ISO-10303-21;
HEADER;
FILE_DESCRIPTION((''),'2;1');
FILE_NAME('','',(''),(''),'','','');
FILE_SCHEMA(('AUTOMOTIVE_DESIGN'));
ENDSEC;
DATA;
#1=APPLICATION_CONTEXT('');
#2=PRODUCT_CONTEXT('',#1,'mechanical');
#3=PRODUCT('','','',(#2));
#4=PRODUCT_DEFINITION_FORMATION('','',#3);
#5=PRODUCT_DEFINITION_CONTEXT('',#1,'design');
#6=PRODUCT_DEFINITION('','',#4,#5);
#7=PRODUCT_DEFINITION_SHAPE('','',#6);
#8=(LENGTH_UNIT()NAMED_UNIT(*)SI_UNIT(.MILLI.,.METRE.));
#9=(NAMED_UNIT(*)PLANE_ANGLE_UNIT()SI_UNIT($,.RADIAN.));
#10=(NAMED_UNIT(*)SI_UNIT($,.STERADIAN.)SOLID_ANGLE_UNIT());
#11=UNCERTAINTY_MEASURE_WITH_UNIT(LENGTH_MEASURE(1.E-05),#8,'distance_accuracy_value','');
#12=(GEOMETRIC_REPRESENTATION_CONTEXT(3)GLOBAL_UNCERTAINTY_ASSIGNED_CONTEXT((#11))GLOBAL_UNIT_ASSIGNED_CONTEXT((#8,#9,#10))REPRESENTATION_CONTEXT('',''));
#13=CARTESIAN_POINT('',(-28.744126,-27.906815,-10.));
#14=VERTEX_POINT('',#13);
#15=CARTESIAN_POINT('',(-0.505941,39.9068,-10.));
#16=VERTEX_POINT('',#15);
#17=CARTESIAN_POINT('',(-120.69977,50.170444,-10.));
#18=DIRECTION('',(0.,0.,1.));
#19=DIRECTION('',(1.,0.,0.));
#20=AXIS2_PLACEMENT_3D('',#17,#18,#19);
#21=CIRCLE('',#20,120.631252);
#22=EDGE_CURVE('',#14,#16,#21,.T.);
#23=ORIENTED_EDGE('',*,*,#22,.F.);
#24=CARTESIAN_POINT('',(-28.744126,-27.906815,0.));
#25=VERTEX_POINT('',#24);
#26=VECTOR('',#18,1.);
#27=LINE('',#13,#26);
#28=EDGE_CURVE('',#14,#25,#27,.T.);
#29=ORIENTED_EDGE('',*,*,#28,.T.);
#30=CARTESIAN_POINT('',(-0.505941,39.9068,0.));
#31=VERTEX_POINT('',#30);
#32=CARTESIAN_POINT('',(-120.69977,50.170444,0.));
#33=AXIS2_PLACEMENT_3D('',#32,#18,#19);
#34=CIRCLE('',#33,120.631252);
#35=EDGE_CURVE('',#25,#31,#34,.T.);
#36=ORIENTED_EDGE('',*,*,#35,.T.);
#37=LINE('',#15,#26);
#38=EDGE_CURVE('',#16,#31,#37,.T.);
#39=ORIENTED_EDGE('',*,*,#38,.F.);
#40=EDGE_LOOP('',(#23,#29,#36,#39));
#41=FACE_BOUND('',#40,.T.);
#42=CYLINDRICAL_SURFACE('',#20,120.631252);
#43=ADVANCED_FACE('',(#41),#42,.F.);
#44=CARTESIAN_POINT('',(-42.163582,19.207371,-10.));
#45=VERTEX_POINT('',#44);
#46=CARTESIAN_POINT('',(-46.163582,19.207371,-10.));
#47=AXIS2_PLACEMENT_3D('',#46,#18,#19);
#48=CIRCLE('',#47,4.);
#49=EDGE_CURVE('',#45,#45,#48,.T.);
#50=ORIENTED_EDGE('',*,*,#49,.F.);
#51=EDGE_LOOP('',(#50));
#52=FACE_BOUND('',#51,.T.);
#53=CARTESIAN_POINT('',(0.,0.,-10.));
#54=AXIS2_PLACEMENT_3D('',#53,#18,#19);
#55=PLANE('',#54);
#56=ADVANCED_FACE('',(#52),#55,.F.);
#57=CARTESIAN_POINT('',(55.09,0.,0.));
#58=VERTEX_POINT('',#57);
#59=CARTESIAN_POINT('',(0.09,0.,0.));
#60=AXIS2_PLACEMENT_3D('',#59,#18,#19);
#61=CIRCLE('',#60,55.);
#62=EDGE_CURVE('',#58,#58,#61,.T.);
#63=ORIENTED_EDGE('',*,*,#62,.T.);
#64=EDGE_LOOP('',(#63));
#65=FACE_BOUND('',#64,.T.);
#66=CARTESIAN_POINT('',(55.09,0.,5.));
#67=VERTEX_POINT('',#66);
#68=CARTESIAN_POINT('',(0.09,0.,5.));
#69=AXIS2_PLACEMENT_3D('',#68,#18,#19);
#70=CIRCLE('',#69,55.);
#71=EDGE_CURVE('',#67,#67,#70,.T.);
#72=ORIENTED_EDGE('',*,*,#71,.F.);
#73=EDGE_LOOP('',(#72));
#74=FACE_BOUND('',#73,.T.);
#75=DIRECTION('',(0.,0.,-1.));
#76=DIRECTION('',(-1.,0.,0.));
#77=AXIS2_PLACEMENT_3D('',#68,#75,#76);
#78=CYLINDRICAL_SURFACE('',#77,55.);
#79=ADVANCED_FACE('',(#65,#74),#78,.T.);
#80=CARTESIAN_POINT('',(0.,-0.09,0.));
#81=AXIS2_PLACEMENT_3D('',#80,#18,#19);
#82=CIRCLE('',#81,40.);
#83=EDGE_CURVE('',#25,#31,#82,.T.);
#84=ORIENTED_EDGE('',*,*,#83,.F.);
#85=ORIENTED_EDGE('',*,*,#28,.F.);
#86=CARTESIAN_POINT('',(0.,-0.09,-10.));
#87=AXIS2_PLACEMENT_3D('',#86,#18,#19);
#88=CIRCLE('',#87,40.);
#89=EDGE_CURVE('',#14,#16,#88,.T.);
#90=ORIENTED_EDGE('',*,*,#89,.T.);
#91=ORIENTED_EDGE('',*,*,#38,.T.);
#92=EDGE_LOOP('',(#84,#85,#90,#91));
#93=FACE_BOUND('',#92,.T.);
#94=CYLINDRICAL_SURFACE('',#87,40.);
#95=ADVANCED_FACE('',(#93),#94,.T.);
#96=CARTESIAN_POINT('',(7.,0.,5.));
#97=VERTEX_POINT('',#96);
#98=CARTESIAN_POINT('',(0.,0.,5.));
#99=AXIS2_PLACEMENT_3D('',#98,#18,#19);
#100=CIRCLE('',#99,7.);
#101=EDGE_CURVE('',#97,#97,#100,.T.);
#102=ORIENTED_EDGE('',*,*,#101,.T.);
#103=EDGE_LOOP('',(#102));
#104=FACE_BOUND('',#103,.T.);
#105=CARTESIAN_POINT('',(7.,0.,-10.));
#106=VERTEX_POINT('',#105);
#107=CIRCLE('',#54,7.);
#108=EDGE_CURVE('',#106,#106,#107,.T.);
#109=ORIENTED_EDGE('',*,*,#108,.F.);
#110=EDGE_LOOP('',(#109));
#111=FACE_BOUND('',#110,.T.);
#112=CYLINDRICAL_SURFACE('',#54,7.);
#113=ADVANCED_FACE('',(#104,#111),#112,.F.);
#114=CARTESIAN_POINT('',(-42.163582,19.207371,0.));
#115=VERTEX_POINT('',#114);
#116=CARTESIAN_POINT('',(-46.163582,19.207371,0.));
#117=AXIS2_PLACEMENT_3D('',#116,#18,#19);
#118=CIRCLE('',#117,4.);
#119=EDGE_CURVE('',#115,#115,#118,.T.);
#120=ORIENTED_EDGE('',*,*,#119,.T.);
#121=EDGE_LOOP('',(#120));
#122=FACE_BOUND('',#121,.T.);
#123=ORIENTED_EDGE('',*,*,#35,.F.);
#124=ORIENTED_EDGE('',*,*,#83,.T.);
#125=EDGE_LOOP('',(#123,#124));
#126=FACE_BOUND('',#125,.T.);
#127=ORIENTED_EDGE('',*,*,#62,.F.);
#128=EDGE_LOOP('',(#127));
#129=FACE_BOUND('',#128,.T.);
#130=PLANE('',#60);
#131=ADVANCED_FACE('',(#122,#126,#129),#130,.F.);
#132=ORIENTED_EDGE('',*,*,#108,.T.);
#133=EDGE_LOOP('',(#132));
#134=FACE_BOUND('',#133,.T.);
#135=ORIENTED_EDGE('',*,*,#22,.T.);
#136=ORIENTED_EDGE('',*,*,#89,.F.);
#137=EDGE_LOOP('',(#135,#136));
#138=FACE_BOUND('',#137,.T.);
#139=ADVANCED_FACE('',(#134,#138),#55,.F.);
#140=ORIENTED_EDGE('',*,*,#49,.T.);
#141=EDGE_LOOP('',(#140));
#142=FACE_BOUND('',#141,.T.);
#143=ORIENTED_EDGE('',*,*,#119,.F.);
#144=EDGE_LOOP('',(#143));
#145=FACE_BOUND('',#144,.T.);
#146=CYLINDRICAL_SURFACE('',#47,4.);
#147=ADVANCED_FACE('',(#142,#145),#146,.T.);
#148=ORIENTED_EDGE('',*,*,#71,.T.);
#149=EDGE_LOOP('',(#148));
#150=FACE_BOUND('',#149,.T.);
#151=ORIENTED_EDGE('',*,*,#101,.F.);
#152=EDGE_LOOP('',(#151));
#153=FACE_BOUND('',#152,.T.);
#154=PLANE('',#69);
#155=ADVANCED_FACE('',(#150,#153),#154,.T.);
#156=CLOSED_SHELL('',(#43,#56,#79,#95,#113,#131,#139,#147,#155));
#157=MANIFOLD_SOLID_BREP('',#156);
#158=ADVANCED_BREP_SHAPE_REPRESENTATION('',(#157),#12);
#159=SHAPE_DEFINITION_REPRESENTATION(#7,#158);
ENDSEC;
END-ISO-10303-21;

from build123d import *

# Parameters (mm, degrees)
SKETCH1_R             = 4
BOSS_EXTRUDE1_DEPTH   = 10
BOSS_EXTRUDE1_2_DEPTH = 10
SKETCH1_3_R           = 55
BOSS_EXTRUDE2_DEPTH   = 5
SKETCH2_R             = 7
CUT_EXTRUDE1_DEPTH    = 80.277412294


with BuildPart() as part:
    # Sketch1 → Boss-Extrude1 (new body)
    with BuildSketch(Plane.XY):
        with Locations((-46.163581641, 19.207370937)):
            Circle(SKETCH1_R)
    extrude(amount=-BOSS_EXTRUDE1_DEPTH)



with BuildPart() as body_2:
    # Sketch1 → Boss-Extrude1 2 (new body)
    with BuildSketch(Plane.XY):
        with BuildLine():
            ThreePointArc((-28.744125942, -27.906815487), (36.926456917, -15.466500887), (-0.505940955, 39.906800169))
            ThreePointArc((-0.505940955, 39.906800169), (-9.337651898, 3.798280238), (-28.744125942, -27.906815487))
        make_face()
    extrude(amount=-BOSS_EXTRUDE1_2_DEPTH)


with BuildPart() as part_1:
    add(part.part)

    add(body_2.part)  # Boss-Extrude2 merges body 2
    # Sketch1<3> → Boss-Extrude2 (add)
    with BuildSketch(Plane.XY):
        with Locations((0.09, 0)):
            Circle(SKETCH1_3_R)
    extrude(amount=BOSS_EXTRUDE2_DEPTH)

    # Sketch2 → Cut-Extrude1 (cut, through all)
    with BuildSketch(Plane.XY.offset(5)):
        Circle(SKETCH2_R)
    extrude(amount=-CUT_EXTRUDE1_DEPTH, mode=Mode.SUBTRACT)


solid = part_1.part
